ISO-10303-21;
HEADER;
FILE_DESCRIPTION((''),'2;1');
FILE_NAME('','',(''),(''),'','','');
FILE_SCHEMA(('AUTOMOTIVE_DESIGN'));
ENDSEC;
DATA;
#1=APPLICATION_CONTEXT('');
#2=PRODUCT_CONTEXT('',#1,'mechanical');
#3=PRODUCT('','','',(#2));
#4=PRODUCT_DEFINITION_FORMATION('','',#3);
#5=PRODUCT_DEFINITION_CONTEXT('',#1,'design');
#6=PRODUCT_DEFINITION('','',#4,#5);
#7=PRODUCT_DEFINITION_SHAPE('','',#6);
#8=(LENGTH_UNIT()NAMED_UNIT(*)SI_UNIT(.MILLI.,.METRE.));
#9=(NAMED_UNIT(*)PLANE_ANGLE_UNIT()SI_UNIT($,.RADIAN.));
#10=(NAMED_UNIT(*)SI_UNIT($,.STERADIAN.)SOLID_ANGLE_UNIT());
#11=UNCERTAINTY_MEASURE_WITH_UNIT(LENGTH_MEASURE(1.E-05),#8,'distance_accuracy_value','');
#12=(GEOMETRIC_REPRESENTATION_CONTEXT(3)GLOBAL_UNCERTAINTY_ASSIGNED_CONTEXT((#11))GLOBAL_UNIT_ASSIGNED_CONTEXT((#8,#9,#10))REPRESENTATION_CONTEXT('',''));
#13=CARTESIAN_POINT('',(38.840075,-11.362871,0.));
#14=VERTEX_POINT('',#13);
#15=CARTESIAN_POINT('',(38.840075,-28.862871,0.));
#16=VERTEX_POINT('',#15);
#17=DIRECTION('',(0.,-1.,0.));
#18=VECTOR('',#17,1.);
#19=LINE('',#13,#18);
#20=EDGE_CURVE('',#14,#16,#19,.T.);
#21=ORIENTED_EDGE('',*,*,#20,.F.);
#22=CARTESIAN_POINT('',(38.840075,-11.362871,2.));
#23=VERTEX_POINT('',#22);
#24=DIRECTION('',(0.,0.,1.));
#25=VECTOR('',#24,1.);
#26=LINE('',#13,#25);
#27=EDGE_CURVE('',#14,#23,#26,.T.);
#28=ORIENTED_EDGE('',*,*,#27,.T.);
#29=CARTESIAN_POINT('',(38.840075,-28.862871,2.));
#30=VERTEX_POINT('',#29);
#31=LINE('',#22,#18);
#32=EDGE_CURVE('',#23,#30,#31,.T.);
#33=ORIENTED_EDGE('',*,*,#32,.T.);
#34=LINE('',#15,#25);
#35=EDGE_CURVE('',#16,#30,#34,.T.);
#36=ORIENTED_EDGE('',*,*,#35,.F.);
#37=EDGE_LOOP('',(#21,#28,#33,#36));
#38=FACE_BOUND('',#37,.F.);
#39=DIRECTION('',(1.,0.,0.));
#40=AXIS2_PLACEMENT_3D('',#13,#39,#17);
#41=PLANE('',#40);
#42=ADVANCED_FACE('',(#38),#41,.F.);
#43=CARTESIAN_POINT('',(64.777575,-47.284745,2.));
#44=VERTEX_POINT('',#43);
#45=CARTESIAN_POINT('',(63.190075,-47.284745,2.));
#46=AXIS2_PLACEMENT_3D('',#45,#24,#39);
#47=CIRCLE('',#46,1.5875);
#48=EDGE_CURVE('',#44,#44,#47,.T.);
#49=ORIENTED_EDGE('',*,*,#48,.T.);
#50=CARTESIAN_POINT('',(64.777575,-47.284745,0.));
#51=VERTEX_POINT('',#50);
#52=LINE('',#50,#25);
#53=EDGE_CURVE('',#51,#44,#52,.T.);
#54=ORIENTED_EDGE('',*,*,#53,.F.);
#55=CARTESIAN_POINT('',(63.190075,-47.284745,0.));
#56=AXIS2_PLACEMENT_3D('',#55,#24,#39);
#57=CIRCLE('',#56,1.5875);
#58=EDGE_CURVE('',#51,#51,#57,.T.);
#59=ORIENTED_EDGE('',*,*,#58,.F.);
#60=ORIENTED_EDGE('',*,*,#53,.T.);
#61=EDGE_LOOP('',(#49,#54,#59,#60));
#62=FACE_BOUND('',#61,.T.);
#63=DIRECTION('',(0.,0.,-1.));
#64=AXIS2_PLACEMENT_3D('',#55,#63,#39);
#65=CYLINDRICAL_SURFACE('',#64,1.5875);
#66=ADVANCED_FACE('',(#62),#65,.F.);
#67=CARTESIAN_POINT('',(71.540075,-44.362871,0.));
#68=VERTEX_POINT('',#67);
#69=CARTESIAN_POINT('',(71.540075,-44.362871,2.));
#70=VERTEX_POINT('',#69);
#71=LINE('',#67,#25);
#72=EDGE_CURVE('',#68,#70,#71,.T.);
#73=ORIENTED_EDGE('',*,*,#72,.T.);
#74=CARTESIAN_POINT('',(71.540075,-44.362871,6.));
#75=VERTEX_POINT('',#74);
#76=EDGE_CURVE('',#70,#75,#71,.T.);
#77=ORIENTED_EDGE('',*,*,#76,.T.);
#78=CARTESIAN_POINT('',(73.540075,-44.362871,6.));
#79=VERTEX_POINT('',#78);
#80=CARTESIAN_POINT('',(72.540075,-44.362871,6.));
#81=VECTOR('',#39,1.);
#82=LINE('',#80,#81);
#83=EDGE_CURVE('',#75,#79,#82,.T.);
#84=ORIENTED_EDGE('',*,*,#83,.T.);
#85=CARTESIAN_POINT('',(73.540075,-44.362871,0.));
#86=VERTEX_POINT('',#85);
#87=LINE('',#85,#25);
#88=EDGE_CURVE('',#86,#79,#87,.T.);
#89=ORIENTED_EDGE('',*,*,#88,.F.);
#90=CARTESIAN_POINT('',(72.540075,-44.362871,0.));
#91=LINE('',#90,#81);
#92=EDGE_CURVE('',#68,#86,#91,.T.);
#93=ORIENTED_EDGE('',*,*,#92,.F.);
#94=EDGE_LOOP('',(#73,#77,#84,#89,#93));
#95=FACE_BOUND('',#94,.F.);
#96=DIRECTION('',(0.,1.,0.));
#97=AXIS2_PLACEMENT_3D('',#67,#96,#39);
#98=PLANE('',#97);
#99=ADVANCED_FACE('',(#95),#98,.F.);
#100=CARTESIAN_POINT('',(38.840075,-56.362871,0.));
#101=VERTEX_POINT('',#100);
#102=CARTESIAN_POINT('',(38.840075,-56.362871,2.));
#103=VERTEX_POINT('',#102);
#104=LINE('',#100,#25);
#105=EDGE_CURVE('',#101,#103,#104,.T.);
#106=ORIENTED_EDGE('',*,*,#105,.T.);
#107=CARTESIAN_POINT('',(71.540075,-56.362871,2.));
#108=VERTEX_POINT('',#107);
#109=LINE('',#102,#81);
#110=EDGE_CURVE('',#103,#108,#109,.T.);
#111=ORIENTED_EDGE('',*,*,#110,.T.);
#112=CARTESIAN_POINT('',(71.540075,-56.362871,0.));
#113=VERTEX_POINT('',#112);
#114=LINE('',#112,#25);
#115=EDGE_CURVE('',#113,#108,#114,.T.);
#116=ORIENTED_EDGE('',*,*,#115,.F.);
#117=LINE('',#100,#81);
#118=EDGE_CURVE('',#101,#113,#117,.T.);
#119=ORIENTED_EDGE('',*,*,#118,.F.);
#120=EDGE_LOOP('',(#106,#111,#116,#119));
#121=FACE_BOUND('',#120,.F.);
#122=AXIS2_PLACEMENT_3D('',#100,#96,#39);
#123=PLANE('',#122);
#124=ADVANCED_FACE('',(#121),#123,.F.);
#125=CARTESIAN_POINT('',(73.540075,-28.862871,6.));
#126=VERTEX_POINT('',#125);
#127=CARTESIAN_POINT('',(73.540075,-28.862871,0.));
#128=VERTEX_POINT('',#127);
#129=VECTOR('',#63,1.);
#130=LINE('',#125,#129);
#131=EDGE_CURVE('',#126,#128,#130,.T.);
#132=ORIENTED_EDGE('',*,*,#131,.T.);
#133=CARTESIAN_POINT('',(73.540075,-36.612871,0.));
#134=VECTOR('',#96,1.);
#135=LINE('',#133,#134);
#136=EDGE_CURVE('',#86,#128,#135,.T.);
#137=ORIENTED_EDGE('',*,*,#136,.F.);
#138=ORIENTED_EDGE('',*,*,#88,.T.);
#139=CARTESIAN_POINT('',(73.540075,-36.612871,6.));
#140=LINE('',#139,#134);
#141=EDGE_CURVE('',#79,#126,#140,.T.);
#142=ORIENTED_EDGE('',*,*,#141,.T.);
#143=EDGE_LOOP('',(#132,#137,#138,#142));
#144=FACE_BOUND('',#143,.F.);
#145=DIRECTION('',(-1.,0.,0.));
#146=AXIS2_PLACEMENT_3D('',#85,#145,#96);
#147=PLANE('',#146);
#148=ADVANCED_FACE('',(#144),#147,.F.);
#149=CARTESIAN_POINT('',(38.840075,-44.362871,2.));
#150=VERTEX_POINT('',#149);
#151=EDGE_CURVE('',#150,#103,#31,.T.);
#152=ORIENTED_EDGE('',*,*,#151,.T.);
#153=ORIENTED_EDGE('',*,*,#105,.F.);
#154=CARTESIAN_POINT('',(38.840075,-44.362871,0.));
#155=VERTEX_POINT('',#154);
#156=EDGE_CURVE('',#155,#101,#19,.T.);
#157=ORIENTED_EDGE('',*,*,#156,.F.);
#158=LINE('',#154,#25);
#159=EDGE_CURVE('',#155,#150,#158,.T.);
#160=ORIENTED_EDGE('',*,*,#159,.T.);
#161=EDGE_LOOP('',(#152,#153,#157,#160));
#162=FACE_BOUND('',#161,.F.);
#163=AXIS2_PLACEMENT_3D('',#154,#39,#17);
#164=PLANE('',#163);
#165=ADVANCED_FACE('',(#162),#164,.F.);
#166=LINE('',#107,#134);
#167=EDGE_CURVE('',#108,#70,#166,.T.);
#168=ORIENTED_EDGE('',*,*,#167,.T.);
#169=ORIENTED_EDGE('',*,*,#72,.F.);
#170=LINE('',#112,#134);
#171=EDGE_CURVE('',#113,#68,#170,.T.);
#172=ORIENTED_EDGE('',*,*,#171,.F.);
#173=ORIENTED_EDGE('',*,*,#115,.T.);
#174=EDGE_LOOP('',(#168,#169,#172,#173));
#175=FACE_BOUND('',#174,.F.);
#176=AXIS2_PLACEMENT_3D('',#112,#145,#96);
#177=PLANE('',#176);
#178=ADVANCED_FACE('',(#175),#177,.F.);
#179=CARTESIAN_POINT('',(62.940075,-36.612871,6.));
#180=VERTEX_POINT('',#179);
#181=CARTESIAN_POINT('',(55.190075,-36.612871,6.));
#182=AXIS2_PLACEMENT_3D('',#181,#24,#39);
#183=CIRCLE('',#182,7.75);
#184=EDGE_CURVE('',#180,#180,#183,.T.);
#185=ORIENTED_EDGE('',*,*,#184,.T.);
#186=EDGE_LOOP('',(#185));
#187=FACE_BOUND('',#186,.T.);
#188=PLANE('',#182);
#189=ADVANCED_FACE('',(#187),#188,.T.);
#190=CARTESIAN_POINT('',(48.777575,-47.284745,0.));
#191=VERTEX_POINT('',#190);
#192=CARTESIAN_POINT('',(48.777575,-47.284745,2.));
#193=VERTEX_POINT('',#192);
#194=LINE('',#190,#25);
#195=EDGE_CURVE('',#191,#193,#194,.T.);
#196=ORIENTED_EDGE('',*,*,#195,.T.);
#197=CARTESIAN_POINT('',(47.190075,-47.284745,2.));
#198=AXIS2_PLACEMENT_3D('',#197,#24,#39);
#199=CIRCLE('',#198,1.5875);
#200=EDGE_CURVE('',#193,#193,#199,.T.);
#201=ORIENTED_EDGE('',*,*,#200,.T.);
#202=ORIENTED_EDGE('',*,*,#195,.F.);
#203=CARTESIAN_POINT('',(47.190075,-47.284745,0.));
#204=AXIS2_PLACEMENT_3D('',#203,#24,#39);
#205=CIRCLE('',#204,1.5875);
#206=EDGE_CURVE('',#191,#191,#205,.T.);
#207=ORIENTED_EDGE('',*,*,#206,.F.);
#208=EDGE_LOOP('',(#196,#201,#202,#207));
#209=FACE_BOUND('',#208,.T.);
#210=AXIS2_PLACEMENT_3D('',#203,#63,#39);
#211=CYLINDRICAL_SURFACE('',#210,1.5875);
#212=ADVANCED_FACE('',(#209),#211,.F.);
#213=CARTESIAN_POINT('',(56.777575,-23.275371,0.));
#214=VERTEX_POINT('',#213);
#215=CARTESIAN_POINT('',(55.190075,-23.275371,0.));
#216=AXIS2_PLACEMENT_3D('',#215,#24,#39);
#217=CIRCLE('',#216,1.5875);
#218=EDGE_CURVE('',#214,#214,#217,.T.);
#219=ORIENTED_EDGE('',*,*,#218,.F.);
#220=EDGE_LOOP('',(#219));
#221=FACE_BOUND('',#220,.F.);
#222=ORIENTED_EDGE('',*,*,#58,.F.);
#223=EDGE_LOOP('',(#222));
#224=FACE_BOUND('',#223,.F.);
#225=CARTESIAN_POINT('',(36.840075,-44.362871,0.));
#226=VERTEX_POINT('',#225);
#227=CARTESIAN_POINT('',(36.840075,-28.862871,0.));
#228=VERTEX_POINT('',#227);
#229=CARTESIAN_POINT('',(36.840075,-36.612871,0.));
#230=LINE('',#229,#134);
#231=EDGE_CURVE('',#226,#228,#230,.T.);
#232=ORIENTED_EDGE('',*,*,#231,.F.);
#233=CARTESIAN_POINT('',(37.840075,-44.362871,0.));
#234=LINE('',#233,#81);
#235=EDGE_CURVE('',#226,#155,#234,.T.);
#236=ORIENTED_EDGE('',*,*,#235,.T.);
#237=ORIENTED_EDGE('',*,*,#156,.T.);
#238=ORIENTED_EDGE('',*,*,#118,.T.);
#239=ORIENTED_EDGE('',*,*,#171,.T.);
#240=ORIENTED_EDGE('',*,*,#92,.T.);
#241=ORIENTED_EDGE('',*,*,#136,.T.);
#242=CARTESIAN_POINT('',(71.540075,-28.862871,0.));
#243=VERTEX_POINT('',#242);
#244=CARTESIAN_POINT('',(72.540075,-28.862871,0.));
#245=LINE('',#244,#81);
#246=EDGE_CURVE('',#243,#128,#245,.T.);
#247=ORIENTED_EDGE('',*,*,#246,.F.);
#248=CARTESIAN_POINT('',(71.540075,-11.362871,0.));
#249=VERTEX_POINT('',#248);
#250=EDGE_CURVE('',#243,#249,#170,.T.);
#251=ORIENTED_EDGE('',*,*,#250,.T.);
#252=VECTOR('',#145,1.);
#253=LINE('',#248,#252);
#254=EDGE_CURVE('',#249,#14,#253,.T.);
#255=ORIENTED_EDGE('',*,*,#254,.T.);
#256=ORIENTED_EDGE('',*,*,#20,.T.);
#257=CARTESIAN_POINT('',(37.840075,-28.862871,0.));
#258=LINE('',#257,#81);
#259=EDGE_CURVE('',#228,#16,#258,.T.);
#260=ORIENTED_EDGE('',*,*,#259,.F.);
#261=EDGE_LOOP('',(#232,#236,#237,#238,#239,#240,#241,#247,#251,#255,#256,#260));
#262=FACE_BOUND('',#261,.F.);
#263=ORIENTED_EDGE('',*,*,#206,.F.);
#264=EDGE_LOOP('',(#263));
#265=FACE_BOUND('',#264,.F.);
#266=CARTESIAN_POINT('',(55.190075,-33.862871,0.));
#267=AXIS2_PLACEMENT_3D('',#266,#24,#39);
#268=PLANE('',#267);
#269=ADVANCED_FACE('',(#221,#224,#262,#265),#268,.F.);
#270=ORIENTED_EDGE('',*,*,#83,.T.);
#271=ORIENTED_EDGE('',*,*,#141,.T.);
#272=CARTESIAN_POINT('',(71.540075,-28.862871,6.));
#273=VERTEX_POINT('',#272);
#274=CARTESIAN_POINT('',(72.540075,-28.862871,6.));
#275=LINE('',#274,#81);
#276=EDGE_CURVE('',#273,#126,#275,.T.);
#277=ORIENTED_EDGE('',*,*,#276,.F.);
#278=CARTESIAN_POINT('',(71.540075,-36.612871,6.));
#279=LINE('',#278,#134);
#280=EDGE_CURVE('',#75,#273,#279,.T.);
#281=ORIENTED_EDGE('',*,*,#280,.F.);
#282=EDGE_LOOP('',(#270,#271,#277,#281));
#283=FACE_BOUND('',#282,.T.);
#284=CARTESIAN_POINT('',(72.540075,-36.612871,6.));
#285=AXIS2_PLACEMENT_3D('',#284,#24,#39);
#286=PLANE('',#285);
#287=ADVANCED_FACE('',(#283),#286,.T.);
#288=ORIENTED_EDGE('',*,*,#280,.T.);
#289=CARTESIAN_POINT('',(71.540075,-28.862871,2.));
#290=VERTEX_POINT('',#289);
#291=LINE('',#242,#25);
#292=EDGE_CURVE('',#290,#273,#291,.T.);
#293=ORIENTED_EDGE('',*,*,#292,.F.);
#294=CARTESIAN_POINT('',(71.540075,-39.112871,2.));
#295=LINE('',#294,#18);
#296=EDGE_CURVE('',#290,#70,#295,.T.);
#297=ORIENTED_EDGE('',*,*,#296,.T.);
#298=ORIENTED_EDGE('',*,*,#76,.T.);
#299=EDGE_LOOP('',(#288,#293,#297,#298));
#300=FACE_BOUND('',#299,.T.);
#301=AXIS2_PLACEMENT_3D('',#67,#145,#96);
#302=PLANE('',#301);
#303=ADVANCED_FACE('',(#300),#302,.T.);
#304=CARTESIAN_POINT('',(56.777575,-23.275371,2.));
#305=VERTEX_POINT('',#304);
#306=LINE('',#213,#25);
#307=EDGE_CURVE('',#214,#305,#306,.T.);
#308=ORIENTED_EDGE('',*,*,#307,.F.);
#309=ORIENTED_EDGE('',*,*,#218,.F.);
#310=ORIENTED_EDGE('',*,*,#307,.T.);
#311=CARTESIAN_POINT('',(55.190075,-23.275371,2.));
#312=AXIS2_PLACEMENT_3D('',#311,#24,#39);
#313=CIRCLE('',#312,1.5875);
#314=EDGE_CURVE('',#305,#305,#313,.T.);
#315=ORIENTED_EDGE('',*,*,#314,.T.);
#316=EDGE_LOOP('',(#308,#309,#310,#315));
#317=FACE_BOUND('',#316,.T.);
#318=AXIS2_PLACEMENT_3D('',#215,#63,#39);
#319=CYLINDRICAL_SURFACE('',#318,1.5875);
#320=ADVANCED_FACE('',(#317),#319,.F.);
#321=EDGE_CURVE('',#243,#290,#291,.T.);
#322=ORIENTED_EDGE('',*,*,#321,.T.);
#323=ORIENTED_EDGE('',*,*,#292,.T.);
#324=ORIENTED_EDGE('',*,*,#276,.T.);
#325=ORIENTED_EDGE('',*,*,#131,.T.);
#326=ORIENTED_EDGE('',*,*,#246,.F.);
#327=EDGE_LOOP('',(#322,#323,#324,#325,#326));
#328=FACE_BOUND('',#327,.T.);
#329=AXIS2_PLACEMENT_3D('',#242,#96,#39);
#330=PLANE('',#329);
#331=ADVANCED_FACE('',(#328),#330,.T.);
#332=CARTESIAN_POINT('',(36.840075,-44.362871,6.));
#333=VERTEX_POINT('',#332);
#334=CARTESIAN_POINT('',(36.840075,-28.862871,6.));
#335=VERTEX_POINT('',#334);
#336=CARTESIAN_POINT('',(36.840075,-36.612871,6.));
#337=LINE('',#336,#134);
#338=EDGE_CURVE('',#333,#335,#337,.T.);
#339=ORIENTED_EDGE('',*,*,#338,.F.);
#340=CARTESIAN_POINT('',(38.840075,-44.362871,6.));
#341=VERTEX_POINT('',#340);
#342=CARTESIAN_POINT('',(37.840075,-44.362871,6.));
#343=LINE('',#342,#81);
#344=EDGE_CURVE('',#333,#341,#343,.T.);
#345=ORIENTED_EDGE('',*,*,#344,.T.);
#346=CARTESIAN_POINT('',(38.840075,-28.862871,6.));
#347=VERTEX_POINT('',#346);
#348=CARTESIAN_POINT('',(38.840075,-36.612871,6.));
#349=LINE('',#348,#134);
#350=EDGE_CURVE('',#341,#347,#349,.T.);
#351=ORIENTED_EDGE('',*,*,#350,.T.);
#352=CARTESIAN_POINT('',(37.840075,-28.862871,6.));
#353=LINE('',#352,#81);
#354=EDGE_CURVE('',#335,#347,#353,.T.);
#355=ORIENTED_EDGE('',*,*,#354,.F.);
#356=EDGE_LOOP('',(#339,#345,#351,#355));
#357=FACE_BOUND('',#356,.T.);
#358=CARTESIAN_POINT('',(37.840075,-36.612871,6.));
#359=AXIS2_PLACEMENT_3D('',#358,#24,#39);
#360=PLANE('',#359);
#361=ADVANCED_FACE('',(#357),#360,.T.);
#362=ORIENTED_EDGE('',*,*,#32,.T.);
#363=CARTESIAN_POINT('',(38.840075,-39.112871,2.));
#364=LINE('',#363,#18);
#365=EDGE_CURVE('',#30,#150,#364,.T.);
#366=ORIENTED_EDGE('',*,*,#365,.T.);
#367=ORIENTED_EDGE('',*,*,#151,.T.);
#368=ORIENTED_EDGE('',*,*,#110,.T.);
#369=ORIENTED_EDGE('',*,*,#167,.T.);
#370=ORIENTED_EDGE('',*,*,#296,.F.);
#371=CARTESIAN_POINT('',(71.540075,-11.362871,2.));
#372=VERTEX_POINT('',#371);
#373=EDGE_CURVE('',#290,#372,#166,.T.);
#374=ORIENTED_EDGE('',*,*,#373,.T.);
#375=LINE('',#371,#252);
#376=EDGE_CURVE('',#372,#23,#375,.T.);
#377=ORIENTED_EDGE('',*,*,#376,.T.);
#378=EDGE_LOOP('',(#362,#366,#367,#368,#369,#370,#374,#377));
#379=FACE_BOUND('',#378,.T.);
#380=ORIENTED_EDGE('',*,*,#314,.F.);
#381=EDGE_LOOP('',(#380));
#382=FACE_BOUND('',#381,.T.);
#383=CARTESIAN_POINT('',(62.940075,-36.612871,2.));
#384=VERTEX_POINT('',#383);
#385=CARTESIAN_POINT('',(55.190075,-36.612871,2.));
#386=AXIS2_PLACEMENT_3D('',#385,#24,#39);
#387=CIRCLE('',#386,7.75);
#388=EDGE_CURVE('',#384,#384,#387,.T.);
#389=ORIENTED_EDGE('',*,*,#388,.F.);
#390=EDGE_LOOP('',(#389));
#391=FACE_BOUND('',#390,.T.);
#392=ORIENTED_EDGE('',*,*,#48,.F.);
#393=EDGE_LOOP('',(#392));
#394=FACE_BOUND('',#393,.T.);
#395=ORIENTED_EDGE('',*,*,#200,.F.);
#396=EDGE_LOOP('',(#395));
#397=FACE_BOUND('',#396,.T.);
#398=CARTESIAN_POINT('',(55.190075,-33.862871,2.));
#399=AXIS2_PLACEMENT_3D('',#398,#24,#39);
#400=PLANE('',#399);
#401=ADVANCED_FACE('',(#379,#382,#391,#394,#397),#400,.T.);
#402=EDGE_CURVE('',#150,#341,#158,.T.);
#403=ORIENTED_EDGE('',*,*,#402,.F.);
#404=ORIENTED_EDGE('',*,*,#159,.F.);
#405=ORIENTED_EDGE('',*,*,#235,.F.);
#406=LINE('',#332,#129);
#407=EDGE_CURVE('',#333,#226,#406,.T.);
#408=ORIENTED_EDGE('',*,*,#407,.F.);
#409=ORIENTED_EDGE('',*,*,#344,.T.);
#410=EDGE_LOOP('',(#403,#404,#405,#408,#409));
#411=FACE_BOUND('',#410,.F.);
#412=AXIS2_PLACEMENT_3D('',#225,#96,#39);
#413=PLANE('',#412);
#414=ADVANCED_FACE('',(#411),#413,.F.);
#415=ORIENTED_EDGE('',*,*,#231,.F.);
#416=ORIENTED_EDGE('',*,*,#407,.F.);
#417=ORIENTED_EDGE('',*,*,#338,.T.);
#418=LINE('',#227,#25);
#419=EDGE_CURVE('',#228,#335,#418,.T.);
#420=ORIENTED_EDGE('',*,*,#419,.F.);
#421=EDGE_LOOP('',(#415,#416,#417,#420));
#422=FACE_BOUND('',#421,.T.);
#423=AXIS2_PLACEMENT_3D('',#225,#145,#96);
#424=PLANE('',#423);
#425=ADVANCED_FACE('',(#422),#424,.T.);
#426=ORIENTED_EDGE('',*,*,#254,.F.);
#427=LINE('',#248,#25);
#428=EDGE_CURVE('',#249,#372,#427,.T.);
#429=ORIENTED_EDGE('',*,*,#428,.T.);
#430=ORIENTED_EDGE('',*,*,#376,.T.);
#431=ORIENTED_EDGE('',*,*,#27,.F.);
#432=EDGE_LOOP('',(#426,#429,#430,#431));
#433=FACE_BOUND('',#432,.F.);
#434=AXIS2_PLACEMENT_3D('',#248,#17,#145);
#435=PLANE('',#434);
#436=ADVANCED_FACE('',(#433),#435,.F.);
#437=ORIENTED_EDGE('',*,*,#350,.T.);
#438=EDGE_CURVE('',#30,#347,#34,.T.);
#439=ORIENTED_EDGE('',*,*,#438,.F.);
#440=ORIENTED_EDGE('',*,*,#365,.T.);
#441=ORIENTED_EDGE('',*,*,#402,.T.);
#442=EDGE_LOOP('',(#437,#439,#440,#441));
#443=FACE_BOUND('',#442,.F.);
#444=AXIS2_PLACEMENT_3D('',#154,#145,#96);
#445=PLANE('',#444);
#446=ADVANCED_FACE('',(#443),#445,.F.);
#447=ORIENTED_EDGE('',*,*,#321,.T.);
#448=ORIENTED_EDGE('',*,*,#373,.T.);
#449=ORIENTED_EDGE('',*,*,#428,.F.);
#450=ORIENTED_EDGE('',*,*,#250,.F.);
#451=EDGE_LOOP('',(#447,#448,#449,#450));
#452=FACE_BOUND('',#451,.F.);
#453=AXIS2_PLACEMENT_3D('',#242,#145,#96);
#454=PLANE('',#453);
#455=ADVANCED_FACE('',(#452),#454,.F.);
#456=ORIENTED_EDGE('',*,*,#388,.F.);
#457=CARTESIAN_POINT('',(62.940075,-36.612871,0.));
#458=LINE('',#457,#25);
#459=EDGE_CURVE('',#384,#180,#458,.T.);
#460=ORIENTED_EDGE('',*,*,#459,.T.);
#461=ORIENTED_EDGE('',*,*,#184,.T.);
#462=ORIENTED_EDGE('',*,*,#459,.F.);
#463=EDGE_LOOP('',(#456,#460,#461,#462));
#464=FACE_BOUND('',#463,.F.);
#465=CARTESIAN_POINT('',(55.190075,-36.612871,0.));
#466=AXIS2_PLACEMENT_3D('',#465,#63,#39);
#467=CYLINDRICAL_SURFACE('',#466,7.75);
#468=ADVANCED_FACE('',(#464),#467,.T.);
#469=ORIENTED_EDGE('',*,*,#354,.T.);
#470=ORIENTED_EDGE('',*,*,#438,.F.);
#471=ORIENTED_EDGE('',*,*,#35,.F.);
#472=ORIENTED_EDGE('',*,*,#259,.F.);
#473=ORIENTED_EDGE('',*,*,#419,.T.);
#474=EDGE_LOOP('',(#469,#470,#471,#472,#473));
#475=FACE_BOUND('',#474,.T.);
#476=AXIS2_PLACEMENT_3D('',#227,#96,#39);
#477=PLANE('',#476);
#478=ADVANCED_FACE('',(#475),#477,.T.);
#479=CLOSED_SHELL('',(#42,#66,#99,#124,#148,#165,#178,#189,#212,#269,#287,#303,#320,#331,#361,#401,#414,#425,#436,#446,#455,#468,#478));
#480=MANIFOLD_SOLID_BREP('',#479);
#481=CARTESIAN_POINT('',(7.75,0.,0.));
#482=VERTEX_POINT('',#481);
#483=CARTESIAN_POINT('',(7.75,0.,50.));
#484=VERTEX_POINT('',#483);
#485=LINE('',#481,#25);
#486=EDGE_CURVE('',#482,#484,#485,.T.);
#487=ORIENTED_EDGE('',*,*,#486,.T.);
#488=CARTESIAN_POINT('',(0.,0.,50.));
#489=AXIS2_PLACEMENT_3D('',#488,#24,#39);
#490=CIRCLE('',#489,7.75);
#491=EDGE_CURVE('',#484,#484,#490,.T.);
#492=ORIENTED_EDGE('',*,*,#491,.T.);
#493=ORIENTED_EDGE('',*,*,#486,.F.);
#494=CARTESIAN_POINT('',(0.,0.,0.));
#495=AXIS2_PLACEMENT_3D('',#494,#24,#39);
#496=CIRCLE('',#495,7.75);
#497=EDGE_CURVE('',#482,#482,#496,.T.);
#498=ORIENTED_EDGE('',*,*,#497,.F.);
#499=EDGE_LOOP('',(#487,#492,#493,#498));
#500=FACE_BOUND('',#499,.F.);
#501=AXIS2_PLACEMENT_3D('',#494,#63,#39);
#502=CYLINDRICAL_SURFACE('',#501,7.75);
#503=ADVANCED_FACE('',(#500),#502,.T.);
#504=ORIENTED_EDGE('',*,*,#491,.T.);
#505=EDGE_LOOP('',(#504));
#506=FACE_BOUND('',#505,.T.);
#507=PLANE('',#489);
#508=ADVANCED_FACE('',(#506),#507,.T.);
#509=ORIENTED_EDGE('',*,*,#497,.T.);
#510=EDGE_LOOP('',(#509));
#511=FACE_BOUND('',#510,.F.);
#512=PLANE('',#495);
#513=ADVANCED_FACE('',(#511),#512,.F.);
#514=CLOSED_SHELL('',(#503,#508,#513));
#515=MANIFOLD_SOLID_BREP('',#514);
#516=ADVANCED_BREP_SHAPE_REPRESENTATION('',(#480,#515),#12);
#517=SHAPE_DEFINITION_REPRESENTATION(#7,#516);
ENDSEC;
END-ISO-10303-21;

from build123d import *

# Parameters (mm, degrees)
F0_R     = 7.75
F1_DEPTH = 50
F2_R     = 1.5875
F2_R_2   = 7.75
F2_W     = 2
F2_H     = 15.5
F3_DEPTH = 2
F4_DEPTH = 6


with BuildPart() as f1:
    # F0 (on Top) → F1 (new body)
    with BuildSketch(Plane.XY):
        Circle(F0_R)
    extrude(amount=F1_DEPTH)


with BuildPart() as f3:
    # F2 (on Top) → F3 (new body)
    with BuildSketch(Plane.XY):
        Polygon((71.540075, -11.362871), (38.840075, -11.362871), (38.840075, -28.862871), (38.840075, -44.362871), (38.840075, -56.362871), (71.540075, -56.362871), (71.540075, -44.362871), (71.540075, -28.862871), align=None)
        with Locations((47.190075, -47.284745)):
            Circle(F2_R, mode=Mode.SUBTRACT)
        with Locations((63.190075, -47.284745)):
            Circle(F2_R, mode=Mode.SUBTRACT)
        with Locations((55.190075, -36.612871)):
            Circle(F2_R_2, mode=Mode.SUBTRACT)
        with Locations((55.190075, -23.275371)):
            Circle(F2_R, mode=Mode.SUBTRACT)
        with Locations((37.840075, -36.612871)):
            Rectangle(F2_W, F2_H)
        with Locations((72.540075, -36.612871)):
            Rectangle(F2_W, F2_H)
    extrude(amount=F3_DEPTH)

    # F2 (on Top) → F4 (join)
    with BuildSketch(Plane.XY):
        with Locations((55.190075, -36.612871)):
            Circle(F2_R_2)
        with Locations((37.840075, -36.612871)):
            Rectangle(F2_W, F2_H)
        with Locations((72.540075, -36.612871)):
            Rectangle(F2_W, F2_H)
    extrude(amount=F4_DEPTH)


solid = Compound([f1.part, f3.part])
